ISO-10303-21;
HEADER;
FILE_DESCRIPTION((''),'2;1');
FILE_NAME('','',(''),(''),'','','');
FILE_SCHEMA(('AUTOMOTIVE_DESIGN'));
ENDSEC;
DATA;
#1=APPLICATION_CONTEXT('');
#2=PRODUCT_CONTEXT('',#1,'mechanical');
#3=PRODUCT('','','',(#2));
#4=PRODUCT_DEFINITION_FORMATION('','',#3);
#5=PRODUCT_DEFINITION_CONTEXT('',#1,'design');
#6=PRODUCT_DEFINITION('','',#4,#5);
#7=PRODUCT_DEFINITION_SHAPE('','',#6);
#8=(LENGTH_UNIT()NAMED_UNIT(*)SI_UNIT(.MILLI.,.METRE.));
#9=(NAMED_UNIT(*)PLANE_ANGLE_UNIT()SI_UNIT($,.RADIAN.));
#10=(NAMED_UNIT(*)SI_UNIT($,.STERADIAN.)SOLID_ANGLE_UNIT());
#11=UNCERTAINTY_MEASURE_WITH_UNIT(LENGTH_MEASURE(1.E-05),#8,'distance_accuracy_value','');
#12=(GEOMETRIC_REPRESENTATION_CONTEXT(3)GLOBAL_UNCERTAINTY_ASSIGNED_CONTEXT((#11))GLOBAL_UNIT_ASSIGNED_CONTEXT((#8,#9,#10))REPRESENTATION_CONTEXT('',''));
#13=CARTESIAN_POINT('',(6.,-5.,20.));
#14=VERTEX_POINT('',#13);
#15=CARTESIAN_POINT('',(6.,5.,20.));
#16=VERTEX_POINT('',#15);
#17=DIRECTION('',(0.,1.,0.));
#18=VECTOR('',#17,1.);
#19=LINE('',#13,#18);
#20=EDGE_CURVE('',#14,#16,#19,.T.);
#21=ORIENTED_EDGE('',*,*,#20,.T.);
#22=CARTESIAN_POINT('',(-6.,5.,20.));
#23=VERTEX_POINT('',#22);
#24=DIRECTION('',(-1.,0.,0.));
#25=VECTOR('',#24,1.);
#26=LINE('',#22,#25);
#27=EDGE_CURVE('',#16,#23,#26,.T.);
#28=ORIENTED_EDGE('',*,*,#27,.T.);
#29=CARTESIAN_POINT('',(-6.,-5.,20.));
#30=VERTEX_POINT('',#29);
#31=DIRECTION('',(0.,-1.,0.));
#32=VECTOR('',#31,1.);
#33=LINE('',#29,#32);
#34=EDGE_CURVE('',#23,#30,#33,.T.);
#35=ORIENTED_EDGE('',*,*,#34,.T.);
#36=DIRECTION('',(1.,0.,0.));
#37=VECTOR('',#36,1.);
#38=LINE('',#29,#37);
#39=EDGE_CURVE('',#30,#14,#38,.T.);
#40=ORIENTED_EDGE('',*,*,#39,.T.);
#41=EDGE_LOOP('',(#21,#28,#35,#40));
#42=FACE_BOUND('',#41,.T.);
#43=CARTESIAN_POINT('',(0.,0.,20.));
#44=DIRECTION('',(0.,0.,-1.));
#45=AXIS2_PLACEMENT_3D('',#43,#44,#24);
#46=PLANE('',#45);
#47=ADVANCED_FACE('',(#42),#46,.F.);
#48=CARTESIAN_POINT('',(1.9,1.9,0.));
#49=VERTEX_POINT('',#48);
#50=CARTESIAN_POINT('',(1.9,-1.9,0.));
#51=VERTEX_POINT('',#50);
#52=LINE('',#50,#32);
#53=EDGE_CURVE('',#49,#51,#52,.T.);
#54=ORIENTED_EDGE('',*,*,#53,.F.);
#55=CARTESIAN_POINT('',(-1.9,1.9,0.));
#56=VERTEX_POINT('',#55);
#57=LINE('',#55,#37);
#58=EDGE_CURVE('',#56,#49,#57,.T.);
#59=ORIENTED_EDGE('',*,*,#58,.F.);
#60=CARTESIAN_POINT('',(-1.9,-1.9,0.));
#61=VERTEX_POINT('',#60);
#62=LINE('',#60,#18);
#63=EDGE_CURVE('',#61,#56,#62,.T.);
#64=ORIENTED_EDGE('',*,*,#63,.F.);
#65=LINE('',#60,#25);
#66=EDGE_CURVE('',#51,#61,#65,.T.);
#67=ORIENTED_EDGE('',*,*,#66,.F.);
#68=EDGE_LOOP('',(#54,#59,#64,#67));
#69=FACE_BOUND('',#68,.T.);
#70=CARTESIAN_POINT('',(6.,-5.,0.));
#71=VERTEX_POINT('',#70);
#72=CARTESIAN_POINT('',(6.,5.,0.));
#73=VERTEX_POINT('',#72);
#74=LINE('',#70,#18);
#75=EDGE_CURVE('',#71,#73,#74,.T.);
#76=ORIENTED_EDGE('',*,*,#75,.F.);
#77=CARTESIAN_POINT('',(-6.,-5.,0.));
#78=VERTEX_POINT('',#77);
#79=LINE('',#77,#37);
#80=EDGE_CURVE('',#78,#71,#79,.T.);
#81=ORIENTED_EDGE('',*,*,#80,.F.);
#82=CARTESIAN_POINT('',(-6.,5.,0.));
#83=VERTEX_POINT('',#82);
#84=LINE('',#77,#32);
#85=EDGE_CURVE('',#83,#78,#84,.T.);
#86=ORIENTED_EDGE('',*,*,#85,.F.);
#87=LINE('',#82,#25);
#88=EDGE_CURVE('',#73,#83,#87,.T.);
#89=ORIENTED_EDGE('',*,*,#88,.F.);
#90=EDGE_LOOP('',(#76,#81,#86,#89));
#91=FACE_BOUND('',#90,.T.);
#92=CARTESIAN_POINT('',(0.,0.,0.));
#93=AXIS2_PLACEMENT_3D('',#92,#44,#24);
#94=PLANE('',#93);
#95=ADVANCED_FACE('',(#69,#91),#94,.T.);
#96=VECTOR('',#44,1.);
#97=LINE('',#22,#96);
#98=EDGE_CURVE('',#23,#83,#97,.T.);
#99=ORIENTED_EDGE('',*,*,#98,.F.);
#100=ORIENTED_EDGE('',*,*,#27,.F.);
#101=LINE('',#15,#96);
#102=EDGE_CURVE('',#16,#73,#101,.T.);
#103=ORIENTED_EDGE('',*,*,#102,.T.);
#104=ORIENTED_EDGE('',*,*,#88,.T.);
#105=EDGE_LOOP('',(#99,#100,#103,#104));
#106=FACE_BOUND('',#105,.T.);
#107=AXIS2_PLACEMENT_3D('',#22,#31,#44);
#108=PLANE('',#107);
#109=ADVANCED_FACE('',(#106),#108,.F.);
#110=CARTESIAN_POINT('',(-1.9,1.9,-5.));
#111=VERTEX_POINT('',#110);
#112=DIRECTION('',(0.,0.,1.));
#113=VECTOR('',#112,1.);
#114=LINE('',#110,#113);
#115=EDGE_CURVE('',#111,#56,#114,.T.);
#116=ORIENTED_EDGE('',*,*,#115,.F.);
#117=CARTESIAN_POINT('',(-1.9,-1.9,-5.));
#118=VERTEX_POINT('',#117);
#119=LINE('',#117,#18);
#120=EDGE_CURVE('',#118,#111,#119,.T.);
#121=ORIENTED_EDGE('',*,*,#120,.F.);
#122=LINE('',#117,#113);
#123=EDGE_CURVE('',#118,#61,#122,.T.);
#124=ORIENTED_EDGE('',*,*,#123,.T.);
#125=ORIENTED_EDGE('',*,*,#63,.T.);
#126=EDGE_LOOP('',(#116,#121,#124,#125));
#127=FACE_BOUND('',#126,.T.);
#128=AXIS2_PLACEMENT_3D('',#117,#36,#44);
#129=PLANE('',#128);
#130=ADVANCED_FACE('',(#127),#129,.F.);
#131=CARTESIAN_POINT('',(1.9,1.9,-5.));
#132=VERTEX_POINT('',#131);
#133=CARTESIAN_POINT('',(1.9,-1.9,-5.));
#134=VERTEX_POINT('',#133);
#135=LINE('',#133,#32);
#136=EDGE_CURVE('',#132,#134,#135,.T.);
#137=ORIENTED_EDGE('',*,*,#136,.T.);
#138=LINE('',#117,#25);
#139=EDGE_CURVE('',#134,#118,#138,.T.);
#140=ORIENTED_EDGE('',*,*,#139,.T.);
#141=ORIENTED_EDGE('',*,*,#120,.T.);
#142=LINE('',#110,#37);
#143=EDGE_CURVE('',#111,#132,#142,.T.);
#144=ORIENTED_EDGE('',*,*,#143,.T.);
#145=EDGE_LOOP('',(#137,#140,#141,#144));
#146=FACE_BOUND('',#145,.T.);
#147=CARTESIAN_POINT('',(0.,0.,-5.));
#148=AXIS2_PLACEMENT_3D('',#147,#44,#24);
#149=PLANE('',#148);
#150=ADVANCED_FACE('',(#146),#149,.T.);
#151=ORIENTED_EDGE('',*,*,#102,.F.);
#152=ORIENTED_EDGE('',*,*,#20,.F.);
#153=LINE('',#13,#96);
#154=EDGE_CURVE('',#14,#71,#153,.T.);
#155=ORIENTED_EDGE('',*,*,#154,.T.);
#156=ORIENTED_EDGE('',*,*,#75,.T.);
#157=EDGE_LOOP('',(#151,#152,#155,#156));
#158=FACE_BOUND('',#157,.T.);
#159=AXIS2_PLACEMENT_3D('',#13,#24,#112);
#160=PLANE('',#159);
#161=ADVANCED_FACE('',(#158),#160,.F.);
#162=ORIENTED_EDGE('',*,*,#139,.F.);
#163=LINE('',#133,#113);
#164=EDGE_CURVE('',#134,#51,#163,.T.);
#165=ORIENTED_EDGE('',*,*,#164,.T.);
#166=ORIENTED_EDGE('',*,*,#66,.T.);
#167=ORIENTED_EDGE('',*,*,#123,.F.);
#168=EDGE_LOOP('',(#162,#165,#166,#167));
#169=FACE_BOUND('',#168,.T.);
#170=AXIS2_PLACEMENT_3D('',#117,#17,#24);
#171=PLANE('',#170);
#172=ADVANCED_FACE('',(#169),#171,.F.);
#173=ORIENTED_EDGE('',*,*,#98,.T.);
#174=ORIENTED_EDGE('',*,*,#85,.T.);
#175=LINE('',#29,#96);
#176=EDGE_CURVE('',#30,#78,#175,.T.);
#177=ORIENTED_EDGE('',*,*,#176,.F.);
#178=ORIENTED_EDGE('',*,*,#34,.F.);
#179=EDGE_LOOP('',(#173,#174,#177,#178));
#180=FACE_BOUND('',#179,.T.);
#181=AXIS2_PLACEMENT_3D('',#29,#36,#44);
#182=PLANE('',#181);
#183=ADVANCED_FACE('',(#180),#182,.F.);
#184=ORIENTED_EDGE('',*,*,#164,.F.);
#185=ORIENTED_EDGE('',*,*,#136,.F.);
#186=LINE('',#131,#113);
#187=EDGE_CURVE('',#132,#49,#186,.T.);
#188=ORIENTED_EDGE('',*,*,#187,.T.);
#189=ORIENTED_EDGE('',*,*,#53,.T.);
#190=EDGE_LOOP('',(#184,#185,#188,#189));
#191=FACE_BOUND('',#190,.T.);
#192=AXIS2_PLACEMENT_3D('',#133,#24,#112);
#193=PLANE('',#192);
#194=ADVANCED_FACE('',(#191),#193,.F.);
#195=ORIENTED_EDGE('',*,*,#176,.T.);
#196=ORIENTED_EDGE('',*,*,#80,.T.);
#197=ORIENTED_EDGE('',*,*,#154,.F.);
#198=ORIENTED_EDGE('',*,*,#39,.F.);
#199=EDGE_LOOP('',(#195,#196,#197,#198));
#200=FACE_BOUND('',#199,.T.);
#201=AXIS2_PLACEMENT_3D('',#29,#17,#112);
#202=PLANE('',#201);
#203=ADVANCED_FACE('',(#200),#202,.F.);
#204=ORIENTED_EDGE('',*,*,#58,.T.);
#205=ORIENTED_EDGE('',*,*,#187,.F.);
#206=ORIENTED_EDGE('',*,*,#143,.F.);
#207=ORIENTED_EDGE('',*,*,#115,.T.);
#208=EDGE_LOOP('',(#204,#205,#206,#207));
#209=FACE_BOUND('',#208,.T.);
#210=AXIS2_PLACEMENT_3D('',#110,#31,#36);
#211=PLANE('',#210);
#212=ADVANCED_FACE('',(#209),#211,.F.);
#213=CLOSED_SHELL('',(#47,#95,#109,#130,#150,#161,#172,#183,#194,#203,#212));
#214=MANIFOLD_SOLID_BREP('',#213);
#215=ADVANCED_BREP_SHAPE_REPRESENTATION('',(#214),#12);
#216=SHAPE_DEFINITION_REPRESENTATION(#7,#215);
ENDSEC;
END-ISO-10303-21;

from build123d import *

# Parameters (mm, degrees)
SKETCH1_W           = 12
SKETCH1_H           = 10
BOSS_EXTRUDE1_DEPTH = 20
SKETCH2_W           = 3.8
SKETCH2_H           = 3.8
BOSS_EXTRUDE2_DEPTH = 5


with BuildPart() as part:
    # Sketch1 → Boss-Extrude1 (new body)
    with BuildSketch(Plane.XY):
        Rectangle(SKETCH1_W, SKETCH1_H)
    extrude(amount=BOSS_EXTRUDE1_DEPTH)

    # Sketch2 → Boss-Extrude2 (add)
    with BuildSketch(Plane(origin=(0, 0, 0), x_dir=(-1, 0, 0), z_dir=(0, 0, -1))):
        Rectangle(SKETCH2_W, SKETCH2_H)
    extrude(amount=BOSS_EXTRUDE2_DEPTH)


solid = part.part
